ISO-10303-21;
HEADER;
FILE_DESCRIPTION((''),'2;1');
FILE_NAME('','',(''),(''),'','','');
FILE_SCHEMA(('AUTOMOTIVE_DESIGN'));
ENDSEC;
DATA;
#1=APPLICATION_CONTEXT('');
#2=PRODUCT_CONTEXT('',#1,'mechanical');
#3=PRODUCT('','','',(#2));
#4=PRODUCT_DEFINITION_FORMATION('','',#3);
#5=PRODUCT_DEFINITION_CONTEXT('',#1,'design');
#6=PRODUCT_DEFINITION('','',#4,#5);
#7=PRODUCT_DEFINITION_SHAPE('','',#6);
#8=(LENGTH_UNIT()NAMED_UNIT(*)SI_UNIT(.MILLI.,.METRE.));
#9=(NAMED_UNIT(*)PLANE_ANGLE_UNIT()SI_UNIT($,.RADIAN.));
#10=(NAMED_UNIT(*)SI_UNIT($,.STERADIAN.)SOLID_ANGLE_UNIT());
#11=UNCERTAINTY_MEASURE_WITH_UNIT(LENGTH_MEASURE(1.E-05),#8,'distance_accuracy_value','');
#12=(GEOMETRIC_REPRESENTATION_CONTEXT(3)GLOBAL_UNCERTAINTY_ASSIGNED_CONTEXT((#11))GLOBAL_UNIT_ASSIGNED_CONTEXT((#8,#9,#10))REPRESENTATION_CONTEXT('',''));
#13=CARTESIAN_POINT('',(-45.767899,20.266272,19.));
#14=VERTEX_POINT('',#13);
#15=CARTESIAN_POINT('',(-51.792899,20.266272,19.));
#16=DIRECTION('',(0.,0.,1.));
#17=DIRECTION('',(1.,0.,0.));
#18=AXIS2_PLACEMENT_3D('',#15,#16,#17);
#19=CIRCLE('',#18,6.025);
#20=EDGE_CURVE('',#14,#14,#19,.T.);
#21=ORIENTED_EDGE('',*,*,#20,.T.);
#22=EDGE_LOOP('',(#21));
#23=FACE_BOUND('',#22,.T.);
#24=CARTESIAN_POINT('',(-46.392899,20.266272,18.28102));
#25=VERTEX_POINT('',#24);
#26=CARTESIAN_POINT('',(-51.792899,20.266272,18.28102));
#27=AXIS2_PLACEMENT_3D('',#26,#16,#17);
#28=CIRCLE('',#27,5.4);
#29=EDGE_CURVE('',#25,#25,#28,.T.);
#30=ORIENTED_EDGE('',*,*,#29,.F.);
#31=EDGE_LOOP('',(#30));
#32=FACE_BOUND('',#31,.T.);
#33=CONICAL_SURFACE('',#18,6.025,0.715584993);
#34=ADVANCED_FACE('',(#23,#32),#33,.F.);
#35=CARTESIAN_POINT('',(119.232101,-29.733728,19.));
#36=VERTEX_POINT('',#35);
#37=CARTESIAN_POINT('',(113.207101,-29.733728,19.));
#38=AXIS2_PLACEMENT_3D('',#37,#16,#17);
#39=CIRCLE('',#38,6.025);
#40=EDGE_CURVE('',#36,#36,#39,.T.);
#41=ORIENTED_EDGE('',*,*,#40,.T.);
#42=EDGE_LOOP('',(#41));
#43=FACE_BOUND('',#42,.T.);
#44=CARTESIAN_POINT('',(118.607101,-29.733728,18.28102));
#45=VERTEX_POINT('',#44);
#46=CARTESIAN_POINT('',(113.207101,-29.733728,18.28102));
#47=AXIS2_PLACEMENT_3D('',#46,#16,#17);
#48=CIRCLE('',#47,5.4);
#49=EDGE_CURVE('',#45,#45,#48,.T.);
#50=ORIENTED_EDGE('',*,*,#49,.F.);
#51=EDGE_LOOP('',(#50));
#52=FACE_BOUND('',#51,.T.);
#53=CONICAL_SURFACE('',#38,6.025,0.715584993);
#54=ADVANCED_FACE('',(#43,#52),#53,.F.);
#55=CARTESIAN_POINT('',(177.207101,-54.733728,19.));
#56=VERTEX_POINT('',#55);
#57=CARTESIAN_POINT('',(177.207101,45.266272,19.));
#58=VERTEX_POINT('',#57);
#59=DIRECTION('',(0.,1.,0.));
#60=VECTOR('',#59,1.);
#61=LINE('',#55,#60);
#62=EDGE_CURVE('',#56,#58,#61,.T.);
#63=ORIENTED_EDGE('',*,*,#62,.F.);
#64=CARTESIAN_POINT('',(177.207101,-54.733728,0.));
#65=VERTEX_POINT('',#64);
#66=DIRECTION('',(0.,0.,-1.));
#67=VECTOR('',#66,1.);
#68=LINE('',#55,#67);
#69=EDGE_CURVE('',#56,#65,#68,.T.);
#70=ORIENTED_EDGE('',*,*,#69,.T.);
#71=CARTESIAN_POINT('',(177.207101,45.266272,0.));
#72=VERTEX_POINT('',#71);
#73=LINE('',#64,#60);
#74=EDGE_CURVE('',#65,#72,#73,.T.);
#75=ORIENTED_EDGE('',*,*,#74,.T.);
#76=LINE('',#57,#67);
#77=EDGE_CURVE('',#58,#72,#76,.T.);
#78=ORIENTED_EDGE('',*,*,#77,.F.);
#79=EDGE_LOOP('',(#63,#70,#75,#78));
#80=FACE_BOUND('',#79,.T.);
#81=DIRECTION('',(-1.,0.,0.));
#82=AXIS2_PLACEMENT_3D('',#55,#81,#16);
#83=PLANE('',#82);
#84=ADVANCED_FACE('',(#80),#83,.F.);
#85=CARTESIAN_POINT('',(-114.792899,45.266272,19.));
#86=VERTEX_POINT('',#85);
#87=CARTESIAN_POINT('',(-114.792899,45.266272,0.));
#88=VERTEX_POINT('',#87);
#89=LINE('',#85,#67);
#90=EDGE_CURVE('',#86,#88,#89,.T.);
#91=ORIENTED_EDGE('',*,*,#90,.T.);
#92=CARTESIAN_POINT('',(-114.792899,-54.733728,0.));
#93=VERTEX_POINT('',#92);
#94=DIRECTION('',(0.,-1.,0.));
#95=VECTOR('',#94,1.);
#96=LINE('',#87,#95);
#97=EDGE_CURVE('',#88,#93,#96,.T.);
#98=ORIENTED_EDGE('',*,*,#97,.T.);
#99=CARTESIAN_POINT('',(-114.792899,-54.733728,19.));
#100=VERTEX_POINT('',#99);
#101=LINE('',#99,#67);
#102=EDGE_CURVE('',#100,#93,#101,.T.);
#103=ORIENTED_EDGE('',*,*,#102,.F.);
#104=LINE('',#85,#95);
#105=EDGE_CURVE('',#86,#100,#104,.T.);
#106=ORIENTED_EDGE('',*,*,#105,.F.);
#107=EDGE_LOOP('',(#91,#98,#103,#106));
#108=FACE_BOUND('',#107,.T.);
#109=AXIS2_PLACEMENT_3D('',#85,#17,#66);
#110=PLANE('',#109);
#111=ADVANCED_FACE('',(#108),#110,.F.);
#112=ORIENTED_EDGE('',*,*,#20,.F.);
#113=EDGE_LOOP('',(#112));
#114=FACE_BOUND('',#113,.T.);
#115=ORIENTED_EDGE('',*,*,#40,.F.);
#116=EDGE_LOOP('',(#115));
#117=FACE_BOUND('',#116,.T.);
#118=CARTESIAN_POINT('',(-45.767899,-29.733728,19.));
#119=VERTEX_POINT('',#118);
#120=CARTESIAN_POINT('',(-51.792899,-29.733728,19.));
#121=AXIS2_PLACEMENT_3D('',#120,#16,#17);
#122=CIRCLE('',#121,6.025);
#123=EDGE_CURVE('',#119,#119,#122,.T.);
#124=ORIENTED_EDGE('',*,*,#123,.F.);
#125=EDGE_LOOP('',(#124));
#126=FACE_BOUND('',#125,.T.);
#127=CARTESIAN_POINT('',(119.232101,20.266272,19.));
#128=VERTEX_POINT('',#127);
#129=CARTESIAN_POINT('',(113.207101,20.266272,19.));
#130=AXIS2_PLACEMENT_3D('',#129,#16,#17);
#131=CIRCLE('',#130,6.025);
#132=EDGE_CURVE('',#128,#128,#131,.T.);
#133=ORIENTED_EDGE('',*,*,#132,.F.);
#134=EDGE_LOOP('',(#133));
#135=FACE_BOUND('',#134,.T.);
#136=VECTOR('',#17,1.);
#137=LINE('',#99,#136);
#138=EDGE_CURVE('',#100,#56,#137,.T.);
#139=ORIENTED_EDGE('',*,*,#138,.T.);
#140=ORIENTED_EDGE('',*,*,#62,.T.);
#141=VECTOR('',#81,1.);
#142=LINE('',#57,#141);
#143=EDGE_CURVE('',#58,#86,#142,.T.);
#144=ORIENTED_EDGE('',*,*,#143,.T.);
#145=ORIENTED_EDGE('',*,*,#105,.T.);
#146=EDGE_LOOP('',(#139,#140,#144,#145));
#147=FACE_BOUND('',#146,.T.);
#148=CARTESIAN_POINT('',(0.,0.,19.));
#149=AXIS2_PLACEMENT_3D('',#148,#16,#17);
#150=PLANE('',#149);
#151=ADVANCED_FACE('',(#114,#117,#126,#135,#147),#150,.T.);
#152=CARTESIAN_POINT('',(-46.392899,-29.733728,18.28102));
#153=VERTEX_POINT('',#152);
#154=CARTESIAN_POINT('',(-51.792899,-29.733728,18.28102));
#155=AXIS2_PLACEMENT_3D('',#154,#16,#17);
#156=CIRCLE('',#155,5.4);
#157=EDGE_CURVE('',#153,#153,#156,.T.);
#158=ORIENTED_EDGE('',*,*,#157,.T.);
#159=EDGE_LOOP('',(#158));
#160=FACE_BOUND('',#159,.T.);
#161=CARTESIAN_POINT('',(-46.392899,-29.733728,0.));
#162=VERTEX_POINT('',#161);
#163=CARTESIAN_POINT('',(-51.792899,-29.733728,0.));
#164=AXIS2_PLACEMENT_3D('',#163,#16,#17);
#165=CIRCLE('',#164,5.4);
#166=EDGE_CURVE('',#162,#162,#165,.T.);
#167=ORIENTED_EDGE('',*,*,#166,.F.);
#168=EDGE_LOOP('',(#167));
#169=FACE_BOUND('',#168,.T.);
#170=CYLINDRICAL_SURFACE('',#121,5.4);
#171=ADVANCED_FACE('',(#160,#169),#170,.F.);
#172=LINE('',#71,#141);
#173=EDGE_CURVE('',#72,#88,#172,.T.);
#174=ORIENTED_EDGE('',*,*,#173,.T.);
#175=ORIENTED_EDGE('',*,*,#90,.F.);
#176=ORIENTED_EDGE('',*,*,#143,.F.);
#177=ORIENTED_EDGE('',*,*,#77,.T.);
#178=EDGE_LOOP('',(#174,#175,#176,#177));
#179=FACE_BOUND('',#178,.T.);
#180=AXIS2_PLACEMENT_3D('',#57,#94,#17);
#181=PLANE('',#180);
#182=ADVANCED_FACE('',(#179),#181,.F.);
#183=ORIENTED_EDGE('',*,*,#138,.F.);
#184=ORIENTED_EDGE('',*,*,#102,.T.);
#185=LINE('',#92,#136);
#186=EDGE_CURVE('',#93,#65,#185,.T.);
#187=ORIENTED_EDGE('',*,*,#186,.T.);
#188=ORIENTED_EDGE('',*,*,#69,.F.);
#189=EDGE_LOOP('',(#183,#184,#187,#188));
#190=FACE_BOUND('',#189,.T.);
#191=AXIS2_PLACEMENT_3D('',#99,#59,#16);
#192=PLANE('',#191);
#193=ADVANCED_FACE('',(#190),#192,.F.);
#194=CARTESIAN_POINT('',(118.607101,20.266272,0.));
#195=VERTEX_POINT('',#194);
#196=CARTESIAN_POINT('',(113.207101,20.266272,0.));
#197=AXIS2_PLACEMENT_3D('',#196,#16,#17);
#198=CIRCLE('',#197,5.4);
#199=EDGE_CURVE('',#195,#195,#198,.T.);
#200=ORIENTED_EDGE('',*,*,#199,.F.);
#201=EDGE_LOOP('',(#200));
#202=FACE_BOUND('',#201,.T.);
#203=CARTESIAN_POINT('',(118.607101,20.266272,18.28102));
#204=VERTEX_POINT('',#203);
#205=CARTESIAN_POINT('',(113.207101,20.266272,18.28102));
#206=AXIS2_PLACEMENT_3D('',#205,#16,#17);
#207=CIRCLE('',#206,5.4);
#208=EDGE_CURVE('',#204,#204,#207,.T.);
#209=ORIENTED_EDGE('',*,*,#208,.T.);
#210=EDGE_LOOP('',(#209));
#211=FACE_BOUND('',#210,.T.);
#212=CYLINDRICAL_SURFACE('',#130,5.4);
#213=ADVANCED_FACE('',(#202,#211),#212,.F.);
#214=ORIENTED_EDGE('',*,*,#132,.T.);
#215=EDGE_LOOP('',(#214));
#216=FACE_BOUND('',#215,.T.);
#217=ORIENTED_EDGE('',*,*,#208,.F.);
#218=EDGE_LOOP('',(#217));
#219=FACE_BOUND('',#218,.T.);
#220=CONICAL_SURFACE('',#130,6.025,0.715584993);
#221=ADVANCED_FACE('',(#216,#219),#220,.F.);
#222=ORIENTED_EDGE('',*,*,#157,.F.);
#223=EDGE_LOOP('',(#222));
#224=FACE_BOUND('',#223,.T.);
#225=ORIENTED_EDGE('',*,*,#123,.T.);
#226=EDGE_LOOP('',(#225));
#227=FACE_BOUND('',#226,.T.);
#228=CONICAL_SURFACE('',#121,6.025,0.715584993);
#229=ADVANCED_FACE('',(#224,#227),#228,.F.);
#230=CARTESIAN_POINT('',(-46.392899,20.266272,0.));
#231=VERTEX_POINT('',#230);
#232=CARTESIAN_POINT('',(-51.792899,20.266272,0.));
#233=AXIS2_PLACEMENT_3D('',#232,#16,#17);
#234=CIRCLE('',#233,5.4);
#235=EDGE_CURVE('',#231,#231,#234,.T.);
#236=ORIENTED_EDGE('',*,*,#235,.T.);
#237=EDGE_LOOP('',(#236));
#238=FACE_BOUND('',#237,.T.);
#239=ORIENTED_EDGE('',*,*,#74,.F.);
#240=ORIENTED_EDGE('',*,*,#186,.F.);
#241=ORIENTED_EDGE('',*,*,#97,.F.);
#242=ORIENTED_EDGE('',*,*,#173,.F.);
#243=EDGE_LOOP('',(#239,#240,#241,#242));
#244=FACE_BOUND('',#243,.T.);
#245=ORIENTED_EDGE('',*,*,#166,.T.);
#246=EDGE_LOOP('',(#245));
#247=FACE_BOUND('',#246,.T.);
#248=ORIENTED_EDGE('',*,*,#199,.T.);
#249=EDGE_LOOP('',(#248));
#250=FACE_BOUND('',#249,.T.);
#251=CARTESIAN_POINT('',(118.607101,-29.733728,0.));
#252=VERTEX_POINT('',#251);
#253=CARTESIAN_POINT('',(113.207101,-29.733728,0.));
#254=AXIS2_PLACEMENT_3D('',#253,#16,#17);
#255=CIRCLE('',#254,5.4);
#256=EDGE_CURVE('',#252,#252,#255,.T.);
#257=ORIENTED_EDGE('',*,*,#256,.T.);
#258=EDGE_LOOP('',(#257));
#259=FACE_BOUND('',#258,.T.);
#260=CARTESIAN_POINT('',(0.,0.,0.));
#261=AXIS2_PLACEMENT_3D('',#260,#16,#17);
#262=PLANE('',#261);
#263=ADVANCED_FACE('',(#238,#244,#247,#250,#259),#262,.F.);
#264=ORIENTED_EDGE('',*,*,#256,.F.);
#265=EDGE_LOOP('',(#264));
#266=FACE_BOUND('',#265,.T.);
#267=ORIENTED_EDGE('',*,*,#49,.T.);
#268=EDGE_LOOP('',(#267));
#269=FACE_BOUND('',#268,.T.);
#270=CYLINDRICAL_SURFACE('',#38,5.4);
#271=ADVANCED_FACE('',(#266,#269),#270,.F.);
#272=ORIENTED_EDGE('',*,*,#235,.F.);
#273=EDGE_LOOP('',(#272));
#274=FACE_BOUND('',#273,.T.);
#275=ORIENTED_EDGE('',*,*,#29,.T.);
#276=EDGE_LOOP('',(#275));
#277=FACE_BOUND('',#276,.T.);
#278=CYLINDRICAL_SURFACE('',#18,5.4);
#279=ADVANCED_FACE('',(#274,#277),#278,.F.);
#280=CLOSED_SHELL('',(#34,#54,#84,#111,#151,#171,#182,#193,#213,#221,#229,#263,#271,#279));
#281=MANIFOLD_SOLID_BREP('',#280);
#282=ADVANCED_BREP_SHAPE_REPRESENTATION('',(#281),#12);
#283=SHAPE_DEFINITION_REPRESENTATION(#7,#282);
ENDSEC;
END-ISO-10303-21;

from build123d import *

# Parameters (mm, degrees)
SCHIZZO1_W                            = 292
SCHIZZO1_H                            = 100
ESTRUSIONE_ESTRUSIONE1_DEPTH          = 19
FORO_FILETTATO_M12X1_25_1_D           = 10.8
FORO_FILETTATO_M12X1_25_1_CSINK_D     = 12.05
FORO_FILETTATO_M12X1_25_1_CSINK_ANGLE = 82


with BuildPart() as part:
    # Schizzo1 → Estrusione-Estrusione1 (new body)
    with BuildSketch(Plane.XY):
        with Locations((31.207100592, -4.733727811)):
            Rectangle(SCHIZZO1_W, SCHIZZO1_H)
    extrude(amount=ESTRUSIONE_ESTRUSIONE1_DEPTH)

    # Foro filettato M12x1.25-1 (through all)
    with Locations(Plane(origin=(-51.792899408, 20.266272189, 19), x_dir=(1, 0, 0), z_dir=(0, 0, 1))):
        with Locations((0, 0), (0, -50), (165, -50), (165, 0)):
            CounterSinkHole(FORO_FILETTATO_M12X1_25_1_D / 2, FORO_FILETTATO_M12X1_25_1_CSINK_D / 2, counter_sink_angle=FORO_FILETTATO_M12X1_25_1_CSINK_ANGLE)


solid = part.part
